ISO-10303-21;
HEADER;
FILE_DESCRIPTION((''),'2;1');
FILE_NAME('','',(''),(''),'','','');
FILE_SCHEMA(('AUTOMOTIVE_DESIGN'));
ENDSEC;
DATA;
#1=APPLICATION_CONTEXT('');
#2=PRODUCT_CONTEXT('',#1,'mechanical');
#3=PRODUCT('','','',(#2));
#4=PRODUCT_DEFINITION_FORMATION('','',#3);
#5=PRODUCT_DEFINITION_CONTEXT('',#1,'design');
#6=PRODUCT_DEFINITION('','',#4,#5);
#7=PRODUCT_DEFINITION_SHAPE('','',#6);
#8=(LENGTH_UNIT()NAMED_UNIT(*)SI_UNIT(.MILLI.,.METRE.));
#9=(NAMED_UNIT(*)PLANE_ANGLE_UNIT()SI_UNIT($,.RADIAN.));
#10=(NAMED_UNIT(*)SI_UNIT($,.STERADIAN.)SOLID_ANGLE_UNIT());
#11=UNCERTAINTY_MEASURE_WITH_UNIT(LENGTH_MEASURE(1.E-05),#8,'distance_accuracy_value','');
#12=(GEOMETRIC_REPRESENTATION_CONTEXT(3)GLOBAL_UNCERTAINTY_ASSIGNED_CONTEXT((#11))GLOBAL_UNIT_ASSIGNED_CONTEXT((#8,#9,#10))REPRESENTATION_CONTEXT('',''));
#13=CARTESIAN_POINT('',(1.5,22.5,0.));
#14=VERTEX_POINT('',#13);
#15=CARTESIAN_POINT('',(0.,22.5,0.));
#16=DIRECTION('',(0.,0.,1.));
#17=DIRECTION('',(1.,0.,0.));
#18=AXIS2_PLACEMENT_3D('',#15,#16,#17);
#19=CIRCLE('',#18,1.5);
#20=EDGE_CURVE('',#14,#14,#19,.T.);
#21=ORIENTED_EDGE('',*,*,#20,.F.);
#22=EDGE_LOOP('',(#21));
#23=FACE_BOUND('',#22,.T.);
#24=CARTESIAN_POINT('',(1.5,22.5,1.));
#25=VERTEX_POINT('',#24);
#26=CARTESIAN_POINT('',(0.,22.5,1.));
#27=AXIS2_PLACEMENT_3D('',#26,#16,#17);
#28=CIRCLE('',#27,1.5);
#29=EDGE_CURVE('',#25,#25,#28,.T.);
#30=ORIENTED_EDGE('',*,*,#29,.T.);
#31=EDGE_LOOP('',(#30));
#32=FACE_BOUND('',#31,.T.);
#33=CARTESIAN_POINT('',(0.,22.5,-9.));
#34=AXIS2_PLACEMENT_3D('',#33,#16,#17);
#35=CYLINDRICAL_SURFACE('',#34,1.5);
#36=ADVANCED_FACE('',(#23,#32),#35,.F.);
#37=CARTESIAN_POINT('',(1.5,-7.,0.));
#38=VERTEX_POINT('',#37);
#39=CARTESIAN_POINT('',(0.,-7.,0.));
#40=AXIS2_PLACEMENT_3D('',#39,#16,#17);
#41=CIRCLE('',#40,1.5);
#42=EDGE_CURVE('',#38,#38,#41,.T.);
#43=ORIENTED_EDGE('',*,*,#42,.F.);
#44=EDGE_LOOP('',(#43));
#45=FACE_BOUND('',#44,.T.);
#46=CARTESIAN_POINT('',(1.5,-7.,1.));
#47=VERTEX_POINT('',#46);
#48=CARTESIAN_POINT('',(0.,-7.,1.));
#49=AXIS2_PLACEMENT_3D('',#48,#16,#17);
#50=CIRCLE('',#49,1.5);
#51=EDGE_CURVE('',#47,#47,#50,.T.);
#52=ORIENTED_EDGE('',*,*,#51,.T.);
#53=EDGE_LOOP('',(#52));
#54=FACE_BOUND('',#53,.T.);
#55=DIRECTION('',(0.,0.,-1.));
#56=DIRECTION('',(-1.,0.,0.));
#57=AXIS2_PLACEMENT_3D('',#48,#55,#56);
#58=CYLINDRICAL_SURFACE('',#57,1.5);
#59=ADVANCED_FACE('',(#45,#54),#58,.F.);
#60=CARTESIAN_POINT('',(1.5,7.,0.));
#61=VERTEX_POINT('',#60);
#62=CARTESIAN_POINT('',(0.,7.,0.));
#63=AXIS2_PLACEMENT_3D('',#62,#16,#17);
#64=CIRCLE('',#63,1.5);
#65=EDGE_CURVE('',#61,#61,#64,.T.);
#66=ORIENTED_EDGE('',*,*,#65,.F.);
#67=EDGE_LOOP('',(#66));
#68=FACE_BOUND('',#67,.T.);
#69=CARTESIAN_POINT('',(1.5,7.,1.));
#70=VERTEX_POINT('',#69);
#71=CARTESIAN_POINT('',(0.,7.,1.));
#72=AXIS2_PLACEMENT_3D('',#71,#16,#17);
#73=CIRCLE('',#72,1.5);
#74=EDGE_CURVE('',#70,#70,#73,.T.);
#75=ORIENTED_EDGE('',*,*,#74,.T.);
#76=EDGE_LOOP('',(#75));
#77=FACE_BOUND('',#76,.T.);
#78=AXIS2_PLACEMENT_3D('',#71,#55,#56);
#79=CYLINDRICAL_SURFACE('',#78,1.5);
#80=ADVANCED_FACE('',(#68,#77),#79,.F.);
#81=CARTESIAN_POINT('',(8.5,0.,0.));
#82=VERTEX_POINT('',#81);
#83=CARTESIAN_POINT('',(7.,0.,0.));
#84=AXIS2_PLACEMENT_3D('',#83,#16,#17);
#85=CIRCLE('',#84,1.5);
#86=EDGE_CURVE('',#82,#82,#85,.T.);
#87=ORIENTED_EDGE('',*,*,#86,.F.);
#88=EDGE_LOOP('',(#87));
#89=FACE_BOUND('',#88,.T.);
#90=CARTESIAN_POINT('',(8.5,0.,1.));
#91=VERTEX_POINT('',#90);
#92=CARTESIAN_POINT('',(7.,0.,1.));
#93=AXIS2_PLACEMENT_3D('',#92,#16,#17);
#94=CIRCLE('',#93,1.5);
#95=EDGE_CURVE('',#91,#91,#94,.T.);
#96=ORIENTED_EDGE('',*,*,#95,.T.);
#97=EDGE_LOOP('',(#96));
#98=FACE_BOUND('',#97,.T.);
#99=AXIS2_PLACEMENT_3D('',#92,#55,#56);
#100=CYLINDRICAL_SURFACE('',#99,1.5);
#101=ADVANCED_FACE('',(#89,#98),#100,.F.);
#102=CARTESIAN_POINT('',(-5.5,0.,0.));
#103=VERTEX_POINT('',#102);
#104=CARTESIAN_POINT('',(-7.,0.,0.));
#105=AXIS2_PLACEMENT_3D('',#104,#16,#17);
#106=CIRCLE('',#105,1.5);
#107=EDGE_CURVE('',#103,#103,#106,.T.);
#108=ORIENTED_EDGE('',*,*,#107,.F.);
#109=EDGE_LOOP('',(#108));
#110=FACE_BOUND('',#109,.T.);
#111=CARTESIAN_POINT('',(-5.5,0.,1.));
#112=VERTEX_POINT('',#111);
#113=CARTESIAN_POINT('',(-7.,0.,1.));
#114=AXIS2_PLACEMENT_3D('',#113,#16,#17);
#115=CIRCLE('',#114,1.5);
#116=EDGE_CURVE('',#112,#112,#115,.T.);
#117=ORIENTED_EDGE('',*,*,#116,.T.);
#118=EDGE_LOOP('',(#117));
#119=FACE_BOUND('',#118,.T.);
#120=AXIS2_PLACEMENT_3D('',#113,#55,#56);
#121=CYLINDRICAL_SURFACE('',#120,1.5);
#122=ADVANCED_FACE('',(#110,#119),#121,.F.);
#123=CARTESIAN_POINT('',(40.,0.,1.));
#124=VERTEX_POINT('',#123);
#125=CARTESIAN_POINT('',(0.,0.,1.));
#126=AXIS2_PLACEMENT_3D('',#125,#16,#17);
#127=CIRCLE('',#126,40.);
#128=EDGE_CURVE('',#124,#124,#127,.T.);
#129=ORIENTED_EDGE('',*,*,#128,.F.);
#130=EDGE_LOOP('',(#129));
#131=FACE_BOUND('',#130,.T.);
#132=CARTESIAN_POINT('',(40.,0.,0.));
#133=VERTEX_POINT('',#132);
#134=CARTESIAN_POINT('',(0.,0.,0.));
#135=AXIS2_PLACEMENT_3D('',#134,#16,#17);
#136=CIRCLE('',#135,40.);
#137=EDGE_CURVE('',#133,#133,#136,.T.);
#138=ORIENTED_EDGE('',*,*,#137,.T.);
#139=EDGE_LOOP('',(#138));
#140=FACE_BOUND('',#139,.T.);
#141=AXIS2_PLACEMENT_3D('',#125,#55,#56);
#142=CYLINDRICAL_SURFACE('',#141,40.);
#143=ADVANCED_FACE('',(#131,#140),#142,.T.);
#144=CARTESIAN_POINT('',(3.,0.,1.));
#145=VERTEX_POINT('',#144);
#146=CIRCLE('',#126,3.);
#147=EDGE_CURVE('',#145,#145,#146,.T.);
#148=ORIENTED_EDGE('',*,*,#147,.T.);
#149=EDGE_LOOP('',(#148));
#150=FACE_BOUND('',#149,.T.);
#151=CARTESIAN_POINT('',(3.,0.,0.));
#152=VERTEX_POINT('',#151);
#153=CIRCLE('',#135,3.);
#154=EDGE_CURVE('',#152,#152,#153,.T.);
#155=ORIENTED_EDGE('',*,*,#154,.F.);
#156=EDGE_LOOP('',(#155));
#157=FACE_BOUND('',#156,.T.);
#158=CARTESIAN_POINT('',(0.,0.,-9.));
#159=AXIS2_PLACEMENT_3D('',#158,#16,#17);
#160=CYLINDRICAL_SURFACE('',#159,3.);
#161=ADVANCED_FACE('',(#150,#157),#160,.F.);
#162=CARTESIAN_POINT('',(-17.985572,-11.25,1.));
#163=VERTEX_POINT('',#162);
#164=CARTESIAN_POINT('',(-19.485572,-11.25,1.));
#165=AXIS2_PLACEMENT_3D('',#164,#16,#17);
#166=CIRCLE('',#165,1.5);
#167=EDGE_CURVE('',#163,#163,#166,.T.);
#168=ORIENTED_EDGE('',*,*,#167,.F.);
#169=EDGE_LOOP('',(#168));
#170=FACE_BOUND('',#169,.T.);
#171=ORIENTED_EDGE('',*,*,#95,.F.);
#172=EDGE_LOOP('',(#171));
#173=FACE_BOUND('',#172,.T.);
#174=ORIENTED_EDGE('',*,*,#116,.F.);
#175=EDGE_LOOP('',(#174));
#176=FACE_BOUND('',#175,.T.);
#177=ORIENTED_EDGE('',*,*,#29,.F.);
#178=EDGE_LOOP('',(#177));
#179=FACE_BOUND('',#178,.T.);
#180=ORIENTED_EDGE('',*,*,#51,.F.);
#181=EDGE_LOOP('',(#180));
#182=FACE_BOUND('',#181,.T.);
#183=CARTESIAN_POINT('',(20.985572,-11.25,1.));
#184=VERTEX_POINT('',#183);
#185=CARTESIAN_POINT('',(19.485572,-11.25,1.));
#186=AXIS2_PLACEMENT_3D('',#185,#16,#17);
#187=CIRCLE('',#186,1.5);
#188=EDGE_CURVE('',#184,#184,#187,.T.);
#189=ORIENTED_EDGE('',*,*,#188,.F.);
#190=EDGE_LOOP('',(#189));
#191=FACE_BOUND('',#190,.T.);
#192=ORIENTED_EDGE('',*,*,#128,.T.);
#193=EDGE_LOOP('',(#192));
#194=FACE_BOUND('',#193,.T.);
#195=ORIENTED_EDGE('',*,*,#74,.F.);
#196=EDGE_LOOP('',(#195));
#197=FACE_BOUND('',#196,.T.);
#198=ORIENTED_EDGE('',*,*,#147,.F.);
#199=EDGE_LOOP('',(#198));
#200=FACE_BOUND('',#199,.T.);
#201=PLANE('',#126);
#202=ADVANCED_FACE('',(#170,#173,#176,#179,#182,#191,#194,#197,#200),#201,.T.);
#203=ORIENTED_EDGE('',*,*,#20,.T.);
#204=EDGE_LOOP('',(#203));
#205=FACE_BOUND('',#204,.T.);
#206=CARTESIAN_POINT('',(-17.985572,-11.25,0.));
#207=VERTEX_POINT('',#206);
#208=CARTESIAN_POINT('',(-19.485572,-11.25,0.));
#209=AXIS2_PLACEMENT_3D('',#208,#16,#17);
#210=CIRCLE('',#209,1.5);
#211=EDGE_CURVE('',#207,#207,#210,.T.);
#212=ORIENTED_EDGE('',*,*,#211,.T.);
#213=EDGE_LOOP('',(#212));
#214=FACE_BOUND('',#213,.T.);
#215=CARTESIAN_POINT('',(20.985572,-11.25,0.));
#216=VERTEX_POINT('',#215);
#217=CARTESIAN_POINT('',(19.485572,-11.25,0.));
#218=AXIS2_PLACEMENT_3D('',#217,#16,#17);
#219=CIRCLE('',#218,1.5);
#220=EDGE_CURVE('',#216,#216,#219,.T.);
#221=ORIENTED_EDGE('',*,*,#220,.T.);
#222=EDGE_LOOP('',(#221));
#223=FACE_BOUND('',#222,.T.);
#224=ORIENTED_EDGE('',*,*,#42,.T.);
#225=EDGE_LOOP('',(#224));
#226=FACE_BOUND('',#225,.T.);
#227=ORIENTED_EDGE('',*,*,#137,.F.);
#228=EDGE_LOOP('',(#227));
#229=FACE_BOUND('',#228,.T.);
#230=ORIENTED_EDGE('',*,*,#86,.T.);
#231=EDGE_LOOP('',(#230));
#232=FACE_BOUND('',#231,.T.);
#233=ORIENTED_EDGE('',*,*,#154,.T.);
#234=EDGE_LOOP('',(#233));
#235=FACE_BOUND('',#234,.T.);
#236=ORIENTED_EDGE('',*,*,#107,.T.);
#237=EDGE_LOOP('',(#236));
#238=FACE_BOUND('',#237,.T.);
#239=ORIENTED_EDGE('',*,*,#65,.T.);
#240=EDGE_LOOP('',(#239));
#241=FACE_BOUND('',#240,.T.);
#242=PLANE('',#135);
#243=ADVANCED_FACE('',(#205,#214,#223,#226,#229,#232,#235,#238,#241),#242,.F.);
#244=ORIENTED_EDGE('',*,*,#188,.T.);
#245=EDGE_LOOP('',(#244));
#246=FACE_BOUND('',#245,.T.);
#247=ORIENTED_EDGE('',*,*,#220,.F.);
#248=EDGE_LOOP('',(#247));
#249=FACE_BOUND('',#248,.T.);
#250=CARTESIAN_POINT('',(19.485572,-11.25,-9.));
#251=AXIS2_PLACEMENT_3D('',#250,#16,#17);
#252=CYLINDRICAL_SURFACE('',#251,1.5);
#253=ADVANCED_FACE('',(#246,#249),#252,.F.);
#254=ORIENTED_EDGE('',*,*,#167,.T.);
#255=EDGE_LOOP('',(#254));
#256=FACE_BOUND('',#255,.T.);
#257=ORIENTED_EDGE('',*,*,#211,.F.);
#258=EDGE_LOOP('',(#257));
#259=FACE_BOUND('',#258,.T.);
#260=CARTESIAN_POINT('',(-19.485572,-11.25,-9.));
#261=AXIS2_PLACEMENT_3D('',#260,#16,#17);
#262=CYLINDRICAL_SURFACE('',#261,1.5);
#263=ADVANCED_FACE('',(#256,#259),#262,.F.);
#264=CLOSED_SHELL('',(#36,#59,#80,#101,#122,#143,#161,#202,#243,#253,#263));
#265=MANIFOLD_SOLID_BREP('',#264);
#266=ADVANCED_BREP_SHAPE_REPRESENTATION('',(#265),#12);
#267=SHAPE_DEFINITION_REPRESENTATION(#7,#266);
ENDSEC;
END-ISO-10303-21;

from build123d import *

# Parameters (mm, degrees)
SKETCH_1_R          = 40
SKETCH_1_R_2        = 2.5
SKETCH_1_R_3        = 1.5
EXTRUDE_1_DEPTH     = 1
SKETCH_2_R          = 1.5
CUT_EXTRUDE_1_DEPTH = 10
SKETCH_3_R          = 3
CUT_EXTRUDE_2_DEPTH = 10


with BuildPart() as part:
    # 草图1 → 凸台-拉伸1 (new body)
    with BuildSketch(Plane.XY):
        Circle(SKETCH_1_R)
        Circle(SKETCH_1_R_2, mode=Mode.SUBTRACT)
        with Locations((0, 7)):
            Circle(SKETCH_1_R_3, mode=Mode.SUBTRACT)
        with Locations((7, 0)):
            Circle(SKETCH_1_R_3, mode=Mode.SUBTRACT)
        with Locations((0, -7)):
            Circle(SKETCH_1_R_3, mode=Mode.SUBTRACT)
        with Locations((-7, 0)):
            Circle(SKETCH_1_R_3, mode=Mode.SUBTRACT)
    extrude(amount=EXTRUDE_1_DEPTH)

    # 草图2 → 切除-拉伸1 (cut)
    with BuildSketch(Plane.XY.offset(1)):
        with Locations((0, 22.5)):
            Circle(SKETCH_2_R)
        with Locations((19.485571585, -11.25)):
            Circle(SKETCH_2_R)
        with Locations((-19.485571585, -11.25)):
            Circle(SKETCH_2_R)
    extrude(amount=-CUT_EXTRUDE_1_DEPTH, mode=Mode.SUBTRACT)

    # 草图3 → 切除-拉伸2 (cut)
    with BuildSketch(Plane.XY.offset(1)):
        Circle(SKETCH_3_R)
    extrude(amount=-CUT_EXTRUDE_2_DEPTH, mode=Mode.SUBTRACT)


solid = part.part
